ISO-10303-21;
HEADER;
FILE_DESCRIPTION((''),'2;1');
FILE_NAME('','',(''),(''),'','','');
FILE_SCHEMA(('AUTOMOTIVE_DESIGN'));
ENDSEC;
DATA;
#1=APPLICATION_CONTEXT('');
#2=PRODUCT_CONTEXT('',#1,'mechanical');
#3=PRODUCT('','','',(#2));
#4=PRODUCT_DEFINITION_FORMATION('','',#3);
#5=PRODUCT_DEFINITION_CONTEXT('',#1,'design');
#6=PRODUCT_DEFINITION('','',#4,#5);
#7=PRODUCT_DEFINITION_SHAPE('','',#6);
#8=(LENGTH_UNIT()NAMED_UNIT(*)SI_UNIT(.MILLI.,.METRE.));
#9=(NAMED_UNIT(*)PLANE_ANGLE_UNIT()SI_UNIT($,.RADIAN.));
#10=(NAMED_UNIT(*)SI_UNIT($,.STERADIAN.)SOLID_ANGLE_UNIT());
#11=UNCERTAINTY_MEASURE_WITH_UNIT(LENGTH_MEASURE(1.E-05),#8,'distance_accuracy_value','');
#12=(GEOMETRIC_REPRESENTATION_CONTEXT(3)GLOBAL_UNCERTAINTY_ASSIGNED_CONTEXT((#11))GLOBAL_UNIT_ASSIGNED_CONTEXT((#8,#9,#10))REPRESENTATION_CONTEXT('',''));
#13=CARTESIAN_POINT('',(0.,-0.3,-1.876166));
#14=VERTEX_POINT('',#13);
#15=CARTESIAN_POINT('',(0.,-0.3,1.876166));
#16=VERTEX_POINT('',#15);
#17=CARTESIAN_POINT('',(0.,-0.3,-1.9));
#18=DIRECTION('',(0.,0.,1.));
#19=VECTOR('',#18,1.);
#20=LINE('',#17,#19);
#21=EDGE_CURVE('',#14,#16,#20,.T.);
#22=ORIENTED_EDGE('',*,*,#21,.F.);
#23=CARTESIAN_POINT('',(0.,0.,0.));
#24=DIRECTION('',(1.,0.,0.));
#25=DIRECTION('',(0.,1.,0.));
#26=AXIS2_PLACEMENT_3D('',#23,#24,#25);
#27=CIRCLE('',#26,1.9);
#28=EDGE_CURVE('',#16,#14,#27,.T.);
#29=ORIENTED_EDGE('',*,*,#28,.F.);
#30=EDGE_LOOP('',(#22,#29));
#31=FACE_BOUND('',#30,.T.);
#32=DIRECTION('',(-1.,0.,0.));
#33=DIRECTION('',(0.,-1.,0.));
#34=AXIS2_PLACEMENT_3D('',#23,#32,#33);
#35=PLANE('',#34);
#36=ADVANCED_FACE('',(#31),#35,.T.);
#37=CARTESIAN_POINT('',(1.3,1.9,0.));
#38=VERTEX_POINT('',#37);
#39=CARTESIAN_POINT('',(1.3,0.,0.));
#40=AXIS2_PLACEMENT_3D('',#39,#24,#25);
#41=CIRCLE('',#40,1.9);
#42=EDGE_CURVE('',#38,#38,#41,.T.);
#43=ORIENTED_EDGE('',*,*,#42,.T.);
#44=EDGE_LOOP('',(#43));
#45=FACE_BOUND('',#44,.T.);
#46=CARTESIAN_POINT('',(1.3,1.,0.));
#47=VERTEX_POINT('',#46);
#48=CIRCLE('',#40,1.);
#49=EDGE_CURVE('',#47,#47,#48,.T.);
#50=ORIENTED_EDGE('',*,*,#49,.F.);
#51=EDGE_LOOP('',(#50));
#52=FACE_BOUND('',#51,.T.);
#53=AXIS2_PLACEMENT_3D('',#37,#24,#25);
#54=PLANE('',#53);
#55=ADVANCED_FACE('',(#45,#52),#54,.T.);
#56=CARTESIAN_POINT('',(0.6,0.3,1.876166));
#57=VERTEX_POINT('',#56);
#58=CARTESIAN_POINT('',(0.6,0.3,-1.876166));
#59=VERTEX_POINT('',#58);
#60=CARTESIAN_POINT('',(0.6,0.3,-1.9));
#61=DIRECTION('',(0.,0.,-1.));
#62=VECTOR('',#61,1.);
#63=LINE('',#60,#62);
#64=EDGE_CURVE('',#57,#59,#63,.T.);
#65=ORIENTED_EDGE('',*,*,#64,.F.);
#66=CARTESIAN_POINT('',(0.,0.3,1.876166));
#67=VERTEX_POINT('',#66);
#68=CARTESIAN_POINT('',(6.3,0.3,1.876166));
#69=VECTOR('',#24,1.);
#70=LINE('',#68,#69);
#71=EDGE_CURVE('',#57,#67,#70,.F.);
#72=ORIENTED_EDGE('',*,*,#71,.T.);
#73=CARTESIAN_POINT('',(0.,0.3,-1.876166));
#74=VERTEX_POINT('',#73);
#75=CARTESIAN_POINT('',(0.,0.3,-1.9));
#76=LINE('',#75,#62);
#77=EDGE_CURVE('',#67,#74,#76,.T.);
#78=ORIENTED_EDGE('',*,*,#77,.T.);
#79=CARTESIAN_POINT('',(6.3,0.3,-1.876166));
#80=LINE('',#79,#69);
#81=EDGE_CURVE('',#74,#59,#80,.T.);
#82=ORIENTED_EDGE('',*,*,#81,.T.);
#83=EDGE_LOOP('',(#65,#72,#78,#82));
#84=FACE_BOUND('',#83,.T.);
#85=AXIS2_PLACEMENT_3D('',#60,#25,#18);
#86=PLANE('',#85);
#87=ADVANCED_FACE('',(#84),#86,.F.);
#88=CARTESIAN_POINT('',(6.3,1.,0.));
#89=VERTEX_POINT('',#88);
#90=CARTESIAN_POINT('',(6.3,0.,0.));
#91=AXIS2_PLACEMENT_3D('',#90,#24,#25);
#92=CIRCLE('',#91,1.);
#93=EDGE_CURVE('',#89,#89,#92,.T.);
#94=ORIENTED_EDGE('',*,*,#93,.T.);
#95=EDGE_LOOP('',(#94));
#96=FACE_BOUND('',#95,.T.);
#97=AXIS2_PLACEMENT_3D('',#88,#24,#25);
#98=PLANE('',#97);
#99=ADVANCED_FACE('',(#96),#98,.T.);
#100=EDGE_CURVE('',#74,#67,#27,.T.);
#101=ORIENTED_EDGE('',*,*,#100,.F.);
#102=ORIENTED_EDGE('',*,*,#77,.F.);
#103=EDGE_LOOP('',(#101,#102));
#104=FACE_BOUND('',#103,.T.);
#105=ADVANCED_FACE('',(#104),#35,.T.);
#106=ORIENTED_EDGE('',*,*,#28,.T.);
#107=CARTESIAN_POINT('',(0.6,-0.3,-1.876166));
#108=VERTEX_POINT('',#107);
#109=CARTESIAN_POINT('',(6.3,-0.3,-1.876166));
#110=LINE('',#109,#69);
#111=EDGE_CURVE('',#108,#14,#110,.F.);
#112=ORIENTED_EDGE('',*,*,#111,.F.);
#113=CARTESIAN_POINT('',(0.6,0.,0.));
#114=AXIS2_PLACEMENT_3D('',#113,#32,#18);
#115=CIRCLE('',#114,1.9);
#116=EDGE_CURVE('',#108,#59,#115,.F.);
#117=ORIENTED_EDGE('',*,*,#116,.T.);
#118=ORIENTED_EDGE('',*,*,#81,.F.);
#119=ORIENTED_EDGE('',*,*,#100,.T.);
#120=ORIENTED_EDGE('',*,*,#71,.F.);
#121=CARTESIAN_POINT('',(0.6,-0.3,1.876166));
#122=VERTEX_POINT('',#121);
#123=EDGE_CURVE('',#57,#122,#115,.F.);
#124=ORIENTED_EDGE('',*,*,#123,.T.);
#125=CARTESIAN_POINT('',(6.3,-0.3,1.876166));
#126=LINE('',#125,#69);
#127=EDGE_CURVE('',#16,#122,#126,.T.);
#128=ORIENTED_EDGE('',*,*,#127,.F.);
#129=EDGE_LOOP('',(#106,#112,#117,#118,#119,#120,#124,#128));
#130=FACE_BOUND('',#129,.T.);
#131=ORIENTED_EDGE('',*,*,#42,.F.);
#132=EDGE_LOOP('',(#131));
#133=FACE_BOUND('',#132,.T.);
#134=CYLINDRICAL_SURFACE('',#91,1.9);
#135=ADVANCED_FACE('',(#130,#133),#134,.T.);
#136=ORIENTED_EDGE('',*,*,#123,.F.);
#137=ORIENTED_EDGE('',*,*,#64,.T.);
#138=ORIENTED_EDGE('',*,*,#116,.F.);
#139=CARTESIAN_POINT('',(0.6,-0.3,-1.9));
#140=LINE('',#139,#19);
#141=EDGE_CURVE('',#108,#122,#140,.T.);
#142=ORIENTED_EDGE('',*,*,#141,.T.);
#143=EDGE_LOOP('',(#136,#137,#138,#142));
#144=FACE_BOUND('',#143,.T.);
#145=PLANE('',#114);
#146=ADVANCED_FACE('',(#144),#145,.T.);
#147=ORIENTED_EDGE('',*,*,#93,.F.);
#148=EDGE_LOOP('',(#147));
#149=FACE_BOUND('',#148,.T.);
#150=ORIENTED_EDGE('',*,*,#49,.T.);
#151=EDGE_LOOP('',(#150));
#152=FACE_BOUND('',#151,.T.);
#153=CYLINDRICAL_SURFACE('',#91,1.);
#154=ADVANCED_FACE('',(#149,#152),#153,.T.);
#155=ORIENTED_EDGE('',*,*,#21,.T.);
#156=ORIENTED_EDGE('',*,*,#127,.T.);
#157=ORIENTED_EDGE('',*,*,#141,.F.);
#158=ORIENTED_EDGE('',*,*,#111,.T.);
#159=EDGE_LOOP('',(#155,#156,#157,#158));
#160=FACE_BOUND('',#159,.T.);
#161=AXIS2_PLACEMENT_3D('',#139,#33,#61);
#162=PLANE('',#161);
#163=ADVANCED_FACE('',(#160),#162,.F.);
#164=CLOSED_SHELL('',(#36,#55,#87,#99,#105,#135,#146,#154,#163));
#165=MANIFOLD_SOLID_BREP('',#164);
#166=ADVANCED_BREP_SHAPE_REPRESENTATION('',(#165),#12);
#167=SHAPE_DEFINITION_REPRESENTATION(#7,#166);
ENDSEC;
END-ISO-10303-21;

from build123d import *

# Parameters (mm, degrees)
SKETCH2_W          = 3.8
SKETCH2_H          = 0.6
CUT_EXTRUDE1_DEPTH = 0.6


with BuildPart() as part:
    # Sketch1 → Revolve1 (revolve)
    with BuildSketch(Plane.XY):
        Polygon((0, 0), (0, 1.9), (1.3, 1.9), (1.3, 1), (6.3, 1), (6.3, 0), align=None)
    revolve(axis=Axis((6.3, 0, 0), (-1, 0, 0)))

    # Sketch2 → Cut-Extrude1 (cut)
    with BuildSketch(Plane.ZY):
        Rectangle(SKETCH2_W, SKETCH2_H)
    extrude(amount=-CUT_EXTRUDE1_DEPTH, mode=Mode.SUBTRACT)


solid = part.part
